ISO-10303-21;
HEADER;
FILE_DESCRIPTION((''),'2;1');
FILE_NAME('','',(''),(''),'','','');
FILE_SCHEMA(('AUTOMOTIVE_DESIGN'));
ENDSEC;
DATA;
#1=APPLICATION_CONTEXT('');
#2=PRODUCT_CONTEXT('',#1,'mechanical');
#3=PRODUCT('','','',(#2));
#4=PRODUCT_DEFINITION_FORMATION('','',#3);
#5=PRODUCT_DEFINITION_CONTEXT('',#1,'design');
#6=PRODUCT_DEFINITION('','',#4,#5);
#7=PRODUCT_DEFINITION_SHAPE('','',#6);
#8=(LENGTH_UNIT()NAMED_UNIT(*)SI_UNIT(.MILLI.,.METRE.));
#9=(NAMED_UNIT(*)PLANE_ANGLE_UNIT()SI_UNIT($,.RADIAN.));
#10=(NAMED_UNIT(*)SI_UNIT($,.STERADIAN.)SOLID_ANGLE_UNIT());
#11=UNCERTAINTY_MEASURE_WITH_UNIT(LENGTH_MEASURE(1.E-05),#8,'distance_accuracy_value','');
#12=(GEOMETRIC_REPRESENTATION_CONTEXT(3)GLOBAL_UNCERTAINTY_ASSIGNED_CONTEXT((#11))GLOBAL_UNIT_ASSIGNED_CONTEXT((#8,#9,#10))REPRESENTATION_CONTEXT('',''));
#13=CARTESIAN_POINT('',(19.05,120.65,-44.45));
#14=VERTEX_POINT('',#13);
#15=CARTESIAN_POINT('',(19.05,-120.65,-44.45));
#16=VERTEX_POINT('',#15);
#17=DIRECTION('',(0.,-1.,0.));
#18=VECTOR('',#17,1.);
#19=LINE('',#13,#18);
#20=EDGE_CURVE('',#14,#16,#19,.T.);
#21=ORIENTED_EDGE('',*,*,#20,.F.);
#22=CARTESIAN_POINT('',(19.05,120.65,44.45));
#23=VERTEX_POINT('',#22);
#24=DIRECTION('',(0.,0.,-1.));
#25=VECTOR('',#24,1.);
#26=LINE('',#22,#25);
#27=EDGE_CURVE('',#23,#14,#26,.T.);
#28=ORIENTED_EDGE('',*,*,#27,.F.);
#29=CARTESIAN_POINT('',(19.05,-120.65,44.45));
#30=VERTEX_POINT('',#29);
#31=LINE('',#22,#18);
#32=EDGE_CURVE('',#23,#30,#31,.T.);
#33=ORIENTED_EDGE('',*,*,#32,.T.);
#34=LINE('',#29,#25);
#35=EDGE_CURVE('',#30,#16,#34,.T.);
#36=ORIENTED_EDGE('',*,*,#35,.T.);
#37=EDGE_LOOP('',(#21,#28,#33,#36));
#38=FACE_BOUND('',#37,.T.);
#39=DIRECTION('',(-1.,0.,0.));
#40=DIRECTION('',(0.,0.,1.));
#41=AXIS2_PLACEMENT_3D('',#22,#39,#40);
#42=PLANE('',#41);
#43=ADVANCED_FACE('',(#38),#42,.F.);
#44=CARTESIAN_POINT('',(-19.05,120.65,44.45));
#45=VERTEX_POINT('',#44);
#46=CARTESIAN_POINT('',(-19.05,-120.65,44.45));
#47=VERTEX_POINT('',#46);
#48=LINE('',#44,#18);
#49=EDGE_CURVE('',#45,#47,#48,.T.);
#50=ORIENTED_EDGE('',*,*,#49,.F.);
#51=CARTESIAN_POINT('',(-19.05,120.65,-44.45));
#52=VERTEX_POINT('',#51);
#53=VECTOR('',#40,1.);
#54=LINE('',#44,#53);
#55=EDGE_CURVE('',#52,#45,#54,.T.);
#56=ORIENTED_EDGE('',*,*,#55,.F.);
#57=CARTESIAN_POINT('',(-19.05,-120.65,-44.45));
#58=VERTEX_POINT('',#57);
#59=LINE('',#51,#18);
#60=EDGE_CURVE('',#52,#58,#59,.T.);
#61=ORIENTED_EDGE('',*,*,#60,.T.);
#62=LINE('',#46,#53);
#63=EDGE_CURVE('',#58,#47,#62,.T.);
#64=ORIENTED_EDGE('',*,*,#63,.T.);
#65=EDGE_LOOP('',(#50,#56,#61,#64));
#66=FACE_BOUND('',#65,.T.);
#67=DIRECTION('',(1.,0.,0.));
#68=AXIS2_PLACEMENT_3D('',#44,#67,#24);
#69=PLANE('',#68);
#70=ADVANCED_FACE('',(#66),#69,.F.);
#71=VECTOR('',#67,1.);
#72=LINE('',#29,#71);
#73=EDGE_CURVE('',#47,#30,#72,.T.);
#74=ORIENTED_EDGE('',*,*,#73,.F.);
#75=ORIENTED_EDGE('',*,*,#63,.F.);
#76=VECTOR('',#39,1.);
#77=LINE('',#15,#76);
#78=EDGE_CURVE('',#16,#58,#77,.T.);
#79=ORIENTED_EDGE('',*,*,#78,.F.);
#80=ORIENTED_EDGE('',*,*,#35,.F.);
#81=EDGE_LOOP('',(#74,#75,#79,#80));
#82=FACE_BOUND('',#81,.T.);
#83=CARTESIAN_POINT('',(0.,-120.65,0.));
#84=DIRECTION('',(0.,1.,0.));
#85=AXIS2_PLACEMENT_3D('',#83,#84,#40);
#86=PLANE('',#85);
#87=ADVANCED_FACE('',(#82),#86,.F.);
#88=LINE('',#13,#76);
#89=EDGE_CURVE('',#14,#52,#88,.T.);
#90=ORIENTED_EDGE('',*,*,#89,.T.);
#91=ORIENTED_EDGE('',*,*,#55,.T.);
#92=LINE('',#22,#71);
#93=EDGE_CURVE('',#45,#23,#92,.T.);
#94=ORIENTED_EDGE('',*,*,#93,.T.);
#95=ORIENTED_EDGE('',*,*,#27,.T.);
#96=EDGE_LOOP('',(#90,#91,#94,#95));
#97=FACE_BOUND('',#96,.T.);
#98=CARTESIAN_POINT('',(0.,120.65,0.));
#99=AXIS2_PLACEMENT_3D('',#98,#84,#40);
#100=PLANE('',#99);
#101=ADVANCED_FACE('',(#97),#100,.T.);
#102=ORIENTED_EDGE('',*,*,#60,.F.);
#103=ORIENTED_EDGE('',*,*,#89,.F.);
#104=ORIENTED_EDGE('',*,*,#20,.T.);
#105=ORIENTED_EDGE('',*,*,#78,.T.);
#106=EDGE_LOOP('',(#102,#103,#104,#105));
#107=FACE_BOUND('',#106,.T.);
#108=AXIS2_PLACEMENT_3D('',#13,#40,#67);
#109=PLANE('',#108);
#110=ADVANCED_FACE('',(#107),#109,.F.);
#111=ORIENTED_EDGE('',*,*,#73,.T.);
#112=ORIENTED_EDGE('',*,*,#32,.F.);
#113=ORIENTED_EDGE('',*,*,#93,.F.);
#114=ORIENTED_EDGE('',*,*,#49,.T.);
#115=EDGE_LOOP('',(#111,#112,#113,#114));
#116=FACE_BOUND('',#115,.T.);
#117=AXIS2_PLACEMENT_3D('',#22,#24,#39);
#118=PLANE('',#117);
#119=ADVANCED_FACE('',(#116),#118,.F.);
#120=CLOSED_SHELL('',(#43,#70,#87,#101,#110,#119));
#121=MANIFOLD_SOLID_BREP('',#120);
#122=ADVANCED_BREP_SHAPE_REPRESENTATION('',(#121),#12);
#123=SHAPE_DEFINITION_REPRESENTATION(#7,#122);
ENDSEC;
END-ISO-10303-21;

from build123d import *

# Parameters (mm, degrees)
SKETCH1_W           = 38.1
SKETCH1_H           = 88.9
BOSS_EXTRUDE1_DEPTH = 120.65


with BuildPart() as part:
    # Sketch1 → Boss-Extrude1 (new body, symmetric)
    with BuildSketch(Plane(origin=(0, 0, 0), x_dir=(1, 0, 0), z_dir=(0, 1, 0))):
        Rectangle(SKETCH1_W, SKETCH1_H)
    extrude(amount=BOSS_EXTRUDE1_DEPTH, both=True)


solid = part.part
